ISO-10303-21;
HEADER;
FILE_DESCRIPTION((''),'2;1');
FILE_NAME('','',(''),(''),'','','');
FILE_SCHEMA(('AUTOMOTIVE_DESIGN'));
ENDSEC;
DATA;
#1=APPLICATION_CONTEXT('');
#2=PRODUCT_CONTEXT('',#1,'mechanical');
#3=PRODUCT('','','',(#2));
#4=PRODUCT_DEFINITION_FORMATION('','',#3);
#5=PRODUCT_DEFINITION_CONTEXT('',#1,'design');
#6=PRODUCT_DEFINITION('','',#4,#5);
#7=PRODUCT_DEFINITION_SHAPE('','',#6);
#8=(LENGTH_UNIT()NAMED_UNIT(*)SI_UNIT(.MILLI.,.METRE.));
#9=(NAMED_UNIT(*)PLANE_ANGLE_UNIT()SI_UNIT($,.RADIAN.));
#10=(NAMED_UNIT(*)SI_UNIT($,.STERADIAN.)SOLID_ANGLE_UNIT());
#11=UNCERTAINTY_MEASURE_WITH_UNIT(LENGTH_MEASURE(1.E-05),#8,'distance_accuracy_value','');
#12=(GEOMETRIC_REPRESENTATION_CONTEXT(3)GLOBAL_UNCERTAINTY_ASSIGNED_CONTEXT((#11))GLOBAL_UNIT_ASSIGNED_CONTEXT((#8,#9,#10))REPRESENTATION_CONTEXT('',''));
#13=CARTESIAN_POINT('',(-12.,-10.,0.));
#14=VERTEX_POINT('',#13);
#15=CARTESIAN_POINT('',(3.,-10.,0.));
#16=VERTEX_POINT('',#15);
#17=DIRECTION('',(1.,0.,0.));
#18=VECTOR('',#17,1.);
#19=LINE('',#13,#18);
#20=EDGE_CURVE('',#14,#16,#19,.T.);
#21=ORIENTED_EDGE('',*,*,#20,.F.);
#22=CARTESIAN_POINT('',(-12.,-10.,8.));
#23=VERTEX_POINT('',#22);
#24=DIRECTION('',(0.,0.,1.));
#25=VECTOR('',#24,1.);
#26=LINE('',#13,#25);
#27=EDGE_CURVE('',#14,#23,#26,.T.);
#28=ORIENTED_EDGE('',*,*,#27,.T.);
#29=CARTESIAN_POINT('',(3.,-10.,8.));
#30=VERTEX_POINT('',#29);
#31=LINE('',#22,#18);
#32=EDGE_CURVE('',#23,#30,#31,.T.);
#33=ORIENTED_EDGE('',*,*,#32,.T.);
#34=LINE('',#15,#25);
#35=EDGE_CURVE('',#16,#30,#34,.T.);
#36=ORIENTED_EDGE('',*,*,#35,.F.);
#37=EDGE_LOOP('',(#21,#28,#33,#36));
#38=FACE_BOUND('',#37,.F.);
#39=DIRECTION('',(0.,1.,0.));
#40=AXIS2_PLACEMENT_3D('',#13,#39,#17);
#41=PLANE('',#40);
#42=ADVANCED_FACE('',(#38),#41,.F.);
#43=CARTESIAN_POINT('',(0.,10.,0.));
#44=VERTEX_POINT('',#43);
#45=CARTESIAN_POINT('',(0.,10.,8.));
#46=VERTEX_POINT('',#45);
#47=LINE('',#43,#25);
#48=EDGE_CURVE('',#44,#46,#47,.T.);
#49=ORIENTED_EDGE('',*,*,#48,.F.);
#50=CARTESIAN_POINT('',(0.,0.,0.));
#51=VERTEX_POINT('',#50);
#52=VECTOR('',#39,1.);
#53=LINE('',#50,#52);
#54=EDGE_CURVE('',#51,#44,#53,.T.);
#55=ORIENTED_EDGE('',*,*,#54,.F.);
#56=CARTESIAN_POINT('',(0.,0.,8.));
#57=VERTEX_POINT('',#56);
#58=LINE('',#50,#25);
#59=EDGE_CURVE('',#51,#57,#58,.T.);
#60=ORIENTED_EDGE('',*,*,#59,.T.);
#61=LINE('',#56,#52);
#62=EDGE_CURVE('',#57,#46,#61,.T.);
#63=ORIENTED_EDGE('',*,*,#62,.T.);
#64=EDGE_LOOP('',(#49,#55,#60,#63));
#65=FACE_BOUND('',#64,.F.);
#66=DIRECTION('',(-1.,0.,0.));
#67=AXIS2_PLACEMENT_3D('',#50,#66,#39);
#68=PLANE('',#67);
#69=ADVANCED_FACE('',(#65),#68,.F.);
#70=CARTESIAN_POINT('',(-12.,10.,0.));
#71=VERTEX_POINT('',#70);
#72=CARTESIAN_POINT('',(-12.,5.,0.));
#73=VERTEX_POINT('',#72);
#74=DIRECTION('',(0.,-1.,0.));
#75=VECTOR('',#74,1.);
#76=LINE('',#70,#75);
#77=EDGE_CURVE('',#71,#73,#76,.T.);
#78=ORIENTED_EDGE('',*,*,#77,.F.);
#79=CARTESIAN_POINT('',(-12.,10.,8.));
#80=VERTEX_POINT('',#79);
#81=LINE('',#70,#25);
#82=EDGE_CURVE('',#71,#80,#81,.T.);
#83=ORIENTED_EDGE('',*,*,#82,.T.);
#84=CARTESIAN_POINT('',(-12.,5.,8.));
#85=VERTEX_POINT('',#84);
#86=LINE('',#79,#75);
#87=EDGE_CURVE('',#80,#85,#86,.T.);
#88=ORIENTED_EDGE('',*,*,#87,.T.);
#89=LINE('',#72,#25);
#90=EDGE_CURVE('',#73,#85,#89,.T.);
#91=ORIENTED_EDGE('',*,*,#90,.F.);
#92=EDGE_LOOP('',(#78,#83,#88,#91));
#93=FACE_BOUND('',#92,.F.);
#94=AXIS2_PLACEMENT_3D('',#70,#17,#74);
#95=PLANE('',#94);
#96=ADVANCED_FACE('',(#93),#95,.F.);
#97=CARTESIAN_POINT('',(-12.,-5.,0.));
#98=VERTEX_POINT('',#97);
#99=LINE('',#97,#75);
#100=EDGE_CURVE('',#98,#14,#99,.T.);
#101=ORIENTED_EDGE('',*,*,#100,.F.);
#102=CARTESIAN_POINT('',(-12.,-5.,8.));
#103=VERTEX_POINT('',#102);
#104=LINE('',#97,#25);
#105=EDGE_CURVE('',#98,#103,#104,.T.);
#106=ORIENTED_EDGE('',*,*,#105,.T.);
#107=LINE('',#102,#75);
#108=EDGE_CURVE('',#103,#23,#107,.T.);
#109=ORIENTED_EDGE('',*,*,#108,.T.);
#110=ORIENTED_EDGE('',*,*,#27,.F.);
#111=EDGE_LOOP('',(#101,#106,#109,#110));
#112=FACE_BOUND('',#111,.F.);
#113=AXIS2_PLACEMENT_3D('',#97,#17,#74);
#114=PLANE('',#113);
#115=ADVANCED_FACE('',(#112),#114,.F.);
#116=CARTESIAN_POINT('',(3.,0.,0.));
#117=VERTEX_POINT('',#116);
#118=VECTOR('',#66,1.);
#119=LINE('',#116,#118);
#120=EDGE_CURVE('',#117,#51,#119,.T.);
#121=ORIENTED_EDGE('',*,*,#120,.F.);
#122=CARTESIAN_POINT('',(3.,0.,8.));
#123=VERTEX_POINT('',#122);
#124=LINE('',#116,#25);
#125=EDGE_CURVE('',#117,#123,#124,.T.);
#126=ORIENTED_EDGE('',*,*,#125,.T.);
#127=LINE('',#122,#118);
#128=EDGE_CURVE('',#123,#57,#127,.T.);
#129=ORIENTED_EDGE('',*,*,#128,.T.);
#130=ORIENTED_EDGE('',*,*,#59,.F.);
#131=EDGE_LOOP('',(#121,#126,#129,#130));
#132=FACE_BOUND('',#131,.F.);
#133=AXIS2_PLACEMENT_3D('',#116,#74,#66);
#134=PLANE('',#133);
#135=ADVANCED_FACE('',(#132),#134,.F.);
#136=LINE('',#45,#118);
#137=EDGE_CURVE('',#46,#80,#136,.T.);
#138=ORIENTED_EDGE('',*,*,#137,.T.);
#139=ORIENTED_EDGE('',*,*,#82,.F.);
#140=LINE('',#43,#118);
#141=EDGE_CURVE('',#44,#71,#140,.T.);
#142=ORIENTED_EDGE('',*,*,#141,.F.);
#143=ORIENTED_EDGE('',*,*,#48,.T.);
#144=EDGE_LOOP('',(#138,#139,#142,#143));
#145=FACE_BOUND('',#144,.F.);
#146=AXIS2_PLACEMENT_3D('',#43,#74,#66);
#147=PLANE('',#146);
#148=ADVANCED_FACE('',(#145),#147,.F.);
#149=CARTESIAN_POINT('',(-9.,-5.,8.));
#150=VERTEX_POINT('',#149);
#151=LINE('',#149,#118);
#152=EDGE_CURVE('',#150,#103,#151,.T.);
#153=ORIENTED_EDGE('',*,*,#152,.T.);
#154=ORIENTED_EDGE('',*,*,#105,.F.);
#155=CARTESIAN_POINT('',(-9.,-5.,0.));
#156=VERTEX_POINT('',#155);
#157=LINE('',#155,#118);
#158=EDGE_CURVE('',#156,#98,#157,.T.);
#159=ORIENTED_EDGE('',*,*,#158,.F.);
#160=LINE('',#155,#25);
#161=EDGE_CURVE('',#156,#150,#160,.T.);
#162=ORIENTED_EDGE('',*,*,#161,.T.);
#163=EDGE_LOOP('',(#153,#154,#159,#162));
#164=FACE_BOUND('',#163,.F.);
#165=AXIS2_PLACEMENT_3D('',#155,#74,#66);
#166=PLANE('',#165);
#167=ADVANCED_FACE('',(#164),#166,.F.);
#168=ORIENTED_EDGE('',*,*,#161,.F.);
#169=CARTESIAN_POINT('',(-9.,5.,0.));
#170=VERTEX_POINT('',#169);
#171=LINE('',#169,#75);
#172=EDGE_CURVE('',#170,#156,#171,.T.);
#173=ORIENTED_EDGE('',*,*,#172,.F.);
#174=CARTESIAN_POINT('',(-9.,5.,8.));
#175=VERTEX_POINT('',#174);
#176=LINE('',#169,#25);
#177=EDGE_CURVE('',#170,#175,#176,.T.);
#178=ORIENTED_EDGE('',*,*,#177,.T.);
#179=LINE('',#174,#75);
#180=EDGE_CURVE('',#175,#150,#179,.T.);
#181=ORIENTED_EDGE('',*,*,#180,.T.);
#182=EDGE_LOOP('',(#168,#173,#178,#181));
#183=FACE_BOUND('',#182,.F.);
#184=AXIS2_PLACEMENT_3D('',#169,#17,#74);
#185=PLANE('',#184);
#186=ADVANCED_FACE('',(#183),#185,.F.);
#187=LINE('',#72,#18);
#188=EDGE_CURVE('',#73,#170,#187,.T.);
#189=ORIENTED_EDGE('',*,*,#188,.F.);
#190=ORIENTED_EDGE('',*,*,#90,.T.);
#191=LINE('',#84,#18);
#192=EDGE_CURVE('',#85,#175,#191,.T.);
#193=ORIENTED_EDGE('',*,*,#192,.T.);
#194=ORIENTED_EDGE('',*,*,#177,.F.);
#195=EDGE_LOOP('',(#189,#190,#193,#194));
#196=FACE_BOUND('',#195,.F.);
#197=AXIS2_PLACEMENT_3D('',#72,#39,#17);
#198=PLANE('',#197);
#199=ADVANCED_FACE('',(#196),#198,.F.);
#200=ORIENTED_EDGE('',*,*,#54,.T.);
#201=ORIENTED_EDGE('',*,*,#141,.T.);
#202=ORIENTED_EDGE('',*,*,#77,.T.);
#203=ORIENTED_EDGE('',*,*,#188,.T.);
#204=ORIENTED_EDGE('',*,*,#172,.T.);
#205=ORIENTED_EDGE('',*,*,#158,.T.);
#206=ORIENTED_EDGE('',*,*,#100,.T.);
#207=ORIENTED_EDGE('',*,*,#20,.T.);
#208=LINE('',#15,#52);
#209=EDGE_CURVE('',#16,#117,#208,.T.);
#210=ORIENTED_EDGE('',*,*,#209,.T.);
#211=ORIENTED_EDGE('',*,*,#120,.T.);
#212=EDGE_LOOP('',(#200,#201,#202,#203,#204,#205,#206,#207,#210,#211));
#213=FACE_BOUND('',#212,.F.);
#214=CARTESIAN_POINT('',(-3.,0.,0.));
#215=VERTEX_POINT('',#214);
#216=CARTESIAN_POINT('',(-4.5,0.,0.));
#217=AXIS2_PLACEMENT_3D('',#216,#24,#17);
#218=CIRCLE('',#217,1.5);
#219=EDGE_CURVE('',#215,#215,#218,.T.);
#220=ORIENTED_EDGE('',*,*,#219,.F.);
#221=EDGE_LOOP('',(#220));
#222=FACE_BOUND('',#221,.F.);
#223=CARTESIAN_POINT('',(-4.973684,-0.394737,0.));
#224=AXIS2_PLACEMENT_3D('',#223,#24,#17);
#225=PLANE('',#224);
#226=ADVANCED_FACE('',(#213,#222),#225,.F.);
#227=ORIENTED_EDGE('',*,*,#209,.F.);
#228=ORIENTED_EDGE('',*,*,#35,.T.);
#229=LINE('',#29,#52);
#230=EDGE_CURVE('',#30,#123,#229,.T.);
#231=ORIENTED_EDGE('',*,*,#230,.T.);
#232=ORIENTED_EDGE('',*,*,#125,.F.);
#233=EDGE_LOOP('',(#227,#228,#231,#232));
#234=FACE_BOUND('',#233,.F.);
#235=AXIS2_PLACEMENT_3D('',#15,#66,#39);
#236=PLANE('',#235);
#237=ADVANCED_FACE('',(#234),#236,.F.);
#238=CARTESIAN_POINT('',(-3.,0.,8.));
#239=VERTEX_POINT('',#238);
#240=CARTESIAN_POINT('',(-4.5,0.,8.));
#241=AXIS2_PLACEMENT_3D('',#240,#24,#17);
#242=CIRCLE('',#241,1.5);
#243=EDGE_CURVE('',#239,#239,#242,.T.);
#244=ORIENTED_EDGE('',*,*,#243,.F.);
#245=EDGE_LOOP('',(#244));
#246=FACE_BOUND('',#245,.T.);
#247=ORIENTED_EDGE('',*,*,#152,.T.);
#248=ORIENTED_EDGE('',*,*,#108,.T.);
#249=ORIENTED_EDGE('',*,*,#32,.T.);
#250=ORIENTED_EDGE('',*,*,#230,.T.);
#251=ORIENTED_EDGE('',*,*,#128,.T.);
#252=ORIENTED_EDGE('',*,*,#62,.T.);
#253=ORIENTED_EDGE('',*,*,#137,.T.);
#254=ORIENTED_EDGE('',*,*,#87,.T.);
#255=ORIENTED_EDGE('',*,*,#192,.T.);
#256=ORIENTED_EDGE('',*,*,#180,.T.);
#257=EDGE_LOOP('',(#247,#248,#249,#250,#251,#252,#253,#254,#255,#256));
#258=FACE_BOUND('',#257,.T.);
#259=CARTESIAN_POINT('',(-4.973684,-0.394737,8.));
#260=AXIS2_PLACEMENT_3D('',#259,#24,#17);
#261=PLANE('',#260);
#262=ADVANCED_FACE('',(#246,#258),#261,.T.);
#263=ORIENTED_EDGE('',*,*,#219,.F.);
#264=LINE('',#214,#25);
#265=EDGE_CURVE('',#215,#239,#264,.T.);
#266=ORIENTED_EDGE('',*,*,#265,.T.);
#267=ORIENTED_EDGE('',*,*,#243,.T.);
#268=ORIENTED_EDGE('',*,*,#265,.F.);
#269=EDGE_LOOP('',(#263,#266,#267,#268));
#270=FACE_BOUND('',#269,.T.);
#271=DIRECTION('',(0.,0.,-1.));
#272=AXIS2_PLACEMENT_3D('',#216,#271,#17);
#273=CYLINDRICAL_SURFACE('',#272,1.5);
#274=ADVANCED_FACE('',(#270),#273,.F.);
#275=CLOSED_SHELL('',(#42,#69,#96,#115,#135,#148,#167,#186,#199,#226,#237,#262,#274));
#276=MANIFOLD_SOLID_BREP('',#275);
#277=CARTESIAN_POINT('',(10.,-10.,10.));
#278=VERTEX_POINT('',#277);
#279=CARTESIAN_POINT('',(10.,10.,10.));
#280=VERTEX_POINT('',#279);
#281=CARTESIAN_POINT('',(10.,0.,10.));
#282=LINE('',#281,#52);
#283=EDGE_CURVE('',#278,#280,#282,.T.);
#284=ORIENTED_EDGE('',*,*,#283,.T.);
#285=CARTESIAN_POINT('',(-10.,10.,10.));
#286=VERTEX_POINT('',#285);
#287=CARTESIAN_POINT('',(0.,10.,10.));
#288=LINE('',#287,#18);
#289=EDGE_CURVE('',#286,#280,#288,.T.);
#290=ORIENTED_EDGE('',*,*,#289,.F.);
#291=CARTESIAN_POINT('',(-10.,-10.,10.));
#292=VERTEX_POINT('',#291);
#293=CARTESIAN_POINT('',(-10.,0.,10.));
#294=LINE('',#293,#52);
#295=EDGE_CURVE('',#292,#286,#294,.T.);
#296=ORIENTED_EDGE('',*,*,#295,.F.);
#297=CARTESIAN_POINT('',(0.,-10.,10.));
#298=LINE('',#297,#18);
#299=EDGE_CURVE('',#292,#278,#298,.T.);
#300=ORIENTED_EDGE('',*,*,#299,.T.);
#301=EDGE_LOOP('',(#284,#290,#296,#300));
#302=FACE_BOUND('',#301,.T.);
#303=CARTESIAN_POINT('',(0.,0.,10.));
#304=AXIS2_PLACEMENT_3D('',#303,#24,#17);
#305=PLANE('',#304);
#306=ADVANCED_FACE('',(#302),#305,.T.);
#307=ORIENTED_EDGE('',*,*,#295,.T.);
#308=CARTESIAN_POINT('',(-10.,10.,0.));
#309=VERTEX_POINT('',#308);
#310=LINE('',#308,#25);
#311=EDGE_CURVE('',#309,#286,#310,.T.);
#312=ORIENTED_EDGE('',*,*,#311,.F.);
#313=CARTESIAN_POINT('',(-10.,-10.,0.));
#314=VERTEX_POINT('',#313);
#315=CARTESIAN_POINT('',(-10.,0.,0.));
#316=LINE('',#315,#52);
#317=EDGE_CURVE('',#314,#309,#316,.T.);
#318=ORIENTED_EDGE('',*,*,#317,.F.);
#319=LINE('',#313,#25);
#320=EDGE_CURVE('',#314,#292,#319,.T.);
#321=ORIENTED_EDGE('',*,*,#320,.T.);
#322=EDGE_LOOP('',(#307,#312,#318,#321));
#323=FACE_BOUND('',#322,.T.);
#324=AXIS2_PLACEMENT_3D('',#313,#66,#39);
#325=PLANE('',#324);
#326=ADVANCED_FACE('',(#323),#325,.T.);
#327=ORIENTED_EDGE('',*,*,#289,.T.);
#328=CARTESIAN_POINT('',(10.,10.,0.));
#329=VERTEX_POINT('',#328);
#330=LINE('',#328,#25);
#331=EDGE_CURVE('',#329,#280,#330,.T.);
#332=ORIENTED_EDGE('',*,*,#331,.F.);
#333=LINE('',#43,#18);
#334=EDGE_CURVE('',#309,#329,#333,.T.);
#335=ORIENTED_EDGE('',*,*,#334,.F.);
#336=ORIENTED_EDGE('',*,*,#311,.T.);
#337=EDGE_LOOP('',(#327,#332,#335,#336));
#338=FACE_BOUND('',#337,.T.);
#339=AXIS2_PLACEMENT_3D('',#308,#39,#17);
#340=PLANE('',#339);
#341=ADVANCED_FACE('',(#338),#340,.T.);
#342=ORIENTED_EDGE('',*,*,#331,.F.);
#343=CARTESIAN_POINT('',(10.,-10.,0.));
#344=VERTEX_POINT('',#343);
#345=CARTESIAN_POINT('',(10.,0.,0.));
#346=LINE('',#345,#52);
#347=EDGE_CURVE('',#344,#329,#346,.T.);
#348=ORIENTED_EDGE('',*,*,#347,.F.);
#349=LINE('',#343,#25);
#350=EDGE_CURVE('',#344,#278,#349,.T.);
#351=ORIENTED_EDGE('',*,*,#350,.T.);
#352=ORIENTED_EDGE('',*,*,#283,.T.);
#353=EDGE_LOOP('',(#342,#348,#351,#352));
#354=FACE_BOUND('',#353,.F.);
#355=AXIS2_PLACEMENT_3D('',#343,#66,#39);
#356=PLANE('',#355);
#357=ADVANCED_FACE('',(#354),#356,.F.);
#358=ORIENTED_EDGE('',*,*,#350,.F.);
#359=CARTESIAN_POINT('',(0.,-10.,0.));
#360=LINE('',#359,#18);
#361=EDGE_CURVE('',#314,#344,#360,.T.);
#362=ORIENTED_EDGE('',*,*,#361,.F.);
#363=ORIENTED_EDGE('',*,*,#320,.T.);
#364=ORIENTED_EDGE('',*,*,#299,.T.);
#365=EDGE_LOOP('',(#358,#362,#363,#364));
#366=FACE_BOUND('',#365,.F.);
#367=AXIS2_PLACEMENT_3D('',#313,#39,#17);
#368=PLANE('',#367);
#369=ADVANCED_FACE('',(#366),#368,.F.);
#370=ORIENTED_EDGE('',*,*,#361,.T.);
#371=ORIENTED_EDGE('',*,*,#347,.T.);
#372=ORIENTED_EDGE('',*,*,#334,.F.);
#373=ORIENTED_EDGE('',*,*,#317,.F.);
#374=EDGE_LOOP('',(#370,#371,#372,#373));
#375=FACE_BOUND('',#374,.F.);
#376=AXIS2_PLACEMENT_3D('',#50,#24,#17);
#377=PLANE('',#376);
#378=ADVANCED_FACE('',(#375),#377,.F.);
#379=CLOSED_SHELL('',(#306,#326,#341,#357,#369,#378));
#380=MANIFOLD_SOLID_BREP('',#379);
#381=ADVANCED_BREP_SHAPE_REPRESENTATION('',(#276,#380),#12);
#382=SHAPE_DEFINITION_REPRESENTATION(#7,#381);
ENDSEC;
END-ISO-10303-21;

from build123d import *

# Parameters (mm, degrees)
F0_W     = 20
F0_H     = 20
F1_DEPTH = 10
F2_R     = 1.5
F3_DEPTH = 8


with BuildPart() as f1:
    # F0 (on Top) → F1 (new body)
    with BuildSketch(Plane.XY):
        Rectangle(F0_W, F0_H)
    extrude(amount=F1_DEPTH)


with BuildPart() as f3:
    # F2 (on Top) → F3 (new body)
    with BuildSketch(Plane.XY):
        Polygon((-12, -10), (3, -10), (3, 0), (0, 0), (0, 10), (-12, 10), (-12, 5), (-9, 5), (-9, -5), (-12, -5), align=None)
        with Locations((-4.5, 0)):
            Circle(F2_R, mode=Mode.SUBTRACT)
    extrude(amount=F3_DEPTH)


solid = Compound([f1.part, f3.part])
